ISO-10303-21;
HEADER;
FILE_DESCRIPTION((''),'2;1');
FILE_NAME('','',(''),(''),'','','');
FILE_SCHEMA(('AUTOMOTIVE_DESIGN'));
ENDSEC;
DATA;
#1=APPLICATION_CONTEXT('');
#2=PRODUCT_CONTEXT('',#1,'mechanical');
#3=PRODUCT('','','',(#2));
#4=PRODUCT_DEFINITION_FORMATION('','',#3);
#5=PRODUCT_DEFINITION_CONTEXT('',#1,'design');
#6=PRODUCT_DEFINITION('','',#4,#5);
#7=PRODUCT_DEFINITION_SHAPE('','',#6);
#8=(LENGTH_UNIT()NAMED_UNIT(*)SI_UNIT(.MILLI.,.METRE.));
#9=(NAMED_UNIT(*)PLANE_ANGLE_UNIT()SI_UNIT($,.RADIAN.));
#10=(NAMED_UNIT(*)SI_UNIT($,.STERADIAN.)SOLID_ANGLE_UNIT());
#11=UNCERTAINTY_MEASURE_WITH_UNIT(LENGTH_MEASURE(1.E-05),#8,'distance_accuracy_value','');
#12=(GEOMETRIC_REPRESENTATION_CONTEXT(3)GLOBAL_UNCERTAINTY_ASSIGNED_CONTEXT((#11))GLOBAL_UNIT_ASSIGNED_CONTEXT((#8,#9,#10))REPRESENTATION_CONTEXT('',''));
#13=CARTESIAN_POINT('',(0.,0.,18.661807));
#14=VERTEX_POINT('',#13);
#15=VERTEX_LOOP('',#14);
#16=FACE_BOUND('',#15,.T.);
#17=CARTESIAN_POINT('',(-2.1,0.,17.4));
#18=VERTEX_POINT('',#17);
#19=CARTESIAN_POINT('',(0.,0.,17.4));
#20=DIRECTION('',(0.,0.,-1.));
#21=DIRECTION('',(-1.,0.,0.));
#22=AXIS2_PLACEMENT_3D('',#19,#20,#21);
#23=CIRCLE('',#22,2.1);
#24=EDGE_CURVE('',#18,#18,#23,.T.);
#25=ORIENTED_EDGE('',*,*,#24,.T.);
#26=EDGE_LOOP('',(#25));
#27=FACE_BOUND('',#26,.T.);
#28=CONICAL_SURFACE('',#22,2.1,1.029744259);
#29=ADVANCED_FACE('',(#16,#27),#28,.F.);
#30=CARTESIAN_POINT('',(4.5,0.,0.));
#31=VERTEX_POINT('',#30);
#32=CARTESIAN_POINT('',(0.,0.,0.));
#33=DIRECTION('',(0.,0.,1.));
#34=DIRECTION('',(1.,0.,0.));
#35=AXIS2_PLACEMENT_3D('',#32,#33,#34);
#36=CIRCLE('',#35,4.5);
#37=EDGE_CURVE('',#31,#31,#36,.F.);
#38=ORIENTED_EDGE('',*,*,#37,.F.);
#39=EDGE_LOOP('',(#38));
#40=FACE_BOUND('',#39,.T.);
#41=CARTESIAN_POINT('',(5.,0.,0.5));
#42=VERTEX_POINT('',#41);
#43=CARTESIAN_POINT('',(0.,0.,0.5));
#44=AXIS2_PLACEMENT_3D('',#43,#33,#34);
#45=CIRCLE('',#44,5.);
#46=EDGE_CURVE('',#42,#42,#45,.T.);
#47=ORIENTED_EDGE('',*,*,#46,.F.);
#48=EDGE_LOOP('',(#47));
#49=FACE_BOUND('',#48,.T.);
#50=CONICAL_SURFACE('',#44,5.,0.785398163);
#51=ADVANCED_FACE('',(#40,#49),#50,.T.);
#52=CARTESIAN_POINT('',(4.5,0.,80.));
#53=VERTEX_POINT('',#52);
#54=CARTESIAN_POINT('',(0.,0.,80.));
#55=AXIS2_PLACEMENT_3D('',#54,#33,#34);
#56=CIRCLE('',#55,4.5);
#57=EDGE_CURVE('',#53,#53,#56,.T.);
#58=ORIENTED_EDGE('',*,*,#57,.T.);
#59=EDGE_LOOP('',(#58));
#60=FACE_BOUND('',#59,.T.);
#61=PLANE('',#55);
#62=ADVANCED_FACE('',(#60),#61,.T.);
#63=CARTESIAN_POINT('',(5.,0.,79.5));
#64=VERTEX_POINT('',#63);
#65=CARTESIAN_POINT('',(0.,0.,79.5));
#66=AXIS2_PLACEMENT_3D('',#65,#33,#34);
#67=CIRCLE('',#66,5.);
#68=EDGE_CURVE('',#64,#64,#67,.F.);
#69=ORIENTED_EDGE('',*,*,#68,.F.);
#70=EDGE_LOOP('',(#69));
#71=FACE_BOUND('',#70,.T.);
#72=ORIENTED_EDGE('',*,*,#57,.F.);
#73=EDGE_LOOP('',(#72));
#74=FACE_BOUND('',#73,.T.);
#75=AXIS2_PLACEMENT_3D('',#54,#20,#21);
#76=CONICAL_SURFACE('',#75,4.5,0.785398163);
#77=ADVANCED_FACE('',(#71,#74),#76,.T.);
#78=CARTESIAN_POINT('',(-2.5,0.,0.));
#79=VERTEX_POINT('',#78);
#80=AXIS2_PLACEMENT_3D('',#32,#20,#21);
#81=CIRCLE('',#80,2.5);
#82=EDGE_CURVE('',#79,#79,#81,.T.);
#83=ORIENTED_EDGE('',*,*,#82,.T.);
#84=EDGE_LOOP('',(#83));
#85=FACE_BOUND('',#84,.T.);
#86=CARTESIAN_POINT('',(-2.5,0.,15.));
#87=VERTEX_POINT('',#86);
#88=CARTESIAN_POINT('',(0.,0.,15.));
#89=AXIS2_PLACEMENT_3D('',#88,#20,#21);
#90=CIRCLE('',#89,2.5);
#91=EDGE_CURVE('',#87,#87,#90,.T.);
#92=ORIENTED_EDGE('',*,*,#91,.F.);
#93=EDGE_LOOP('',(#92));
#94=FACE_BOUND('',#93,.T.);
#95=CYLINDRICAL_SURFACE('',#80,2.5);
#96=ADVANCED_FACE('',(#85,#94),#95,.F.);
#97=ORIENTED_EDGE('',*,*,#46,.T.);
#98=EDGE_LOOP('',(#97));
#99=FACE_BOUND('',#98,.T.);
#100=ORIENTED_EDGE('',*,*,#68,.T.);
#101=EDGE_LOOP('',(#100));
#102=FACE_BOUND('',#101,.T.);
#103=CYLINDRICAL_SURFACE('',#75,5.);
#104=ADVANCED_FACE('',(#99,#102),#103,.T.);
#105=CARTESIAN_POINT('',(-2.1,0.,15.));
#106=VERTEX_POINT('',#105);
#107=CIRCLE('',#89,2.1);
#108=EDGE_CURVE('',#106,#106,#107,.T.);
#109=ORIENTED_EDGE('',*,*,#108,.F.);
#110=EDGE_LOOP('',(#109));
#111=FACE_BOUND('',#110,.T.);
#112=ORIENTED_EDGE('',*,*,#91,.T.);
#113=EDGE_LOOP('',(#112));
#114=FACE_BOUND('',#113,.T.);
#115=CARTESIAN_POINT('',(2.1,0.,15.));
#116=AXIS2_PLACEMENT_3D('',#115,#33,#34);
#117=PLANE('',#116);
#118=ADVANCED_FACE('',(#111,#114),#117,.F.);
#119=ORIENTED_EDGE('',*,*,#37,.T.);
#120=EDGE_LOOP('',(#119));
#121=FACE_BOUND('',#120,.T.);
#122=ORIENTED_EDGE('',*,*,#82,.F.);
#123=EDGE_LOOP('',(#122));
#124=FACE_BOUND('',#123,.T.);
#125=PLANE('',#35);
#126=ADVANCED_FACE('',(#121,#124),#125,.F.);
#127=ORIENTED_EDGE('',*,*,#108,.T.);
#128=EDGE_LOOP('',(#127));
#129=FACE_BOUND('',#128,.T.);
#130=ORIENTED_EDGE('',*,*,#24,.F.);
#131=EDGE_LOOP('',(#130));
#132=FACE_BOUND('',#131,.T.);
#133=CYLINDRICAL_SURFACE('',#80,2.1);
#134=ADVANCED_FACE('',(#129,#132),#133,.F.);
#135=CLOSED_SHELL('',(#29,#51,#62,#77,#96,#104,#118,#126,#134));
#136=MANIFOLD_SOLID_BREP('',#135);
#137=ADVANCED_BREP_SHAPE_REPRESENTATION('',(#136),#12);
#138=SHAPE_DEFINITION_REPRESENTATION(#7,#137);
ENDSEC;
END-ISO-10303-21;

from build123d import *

# Parameters (mm, degrees)
SKETCH_1_R                   = 5
EXTRUDE_1_DEPTH              = 80
HOLE_WIZARD_M5_1_D           = 4.2
HOLE_WIZARD_M5_1_DEPTH       = 17.4
HOLE_WIZARD_M5_1_CBORE_D     = 5
HOLE_WIZARD_M5_1_CBORE_DEPTH = 15
HOLE_WIZARD_M5_1_TIP         = 1.2618073
CHAMFER_1_SIZE               = 0.5


with BuildPart() as part:
    # 草图1 → 拉伸1 (new body)
    with BuildSketch(Plane.XY):
        Circle(SKETCH_1_R)
    extrude(amount=EXTRUDE_1_DEPTH)

    # M5 螺纹孔1
    with Locations(Plane(origin=(0, 0, 0), x_dir=(-1, 0, 0), z_dir=(0, 0, -1))):
        with Locations((0, 0)):
            CounterBoreHole(HOLE_WIZARD_M5_1_D / 2, HOLE_WIZARD_M5_1_CBORE_D / 2, HOLE_WIZARD_M5_1_CBORE_DEPTH, depth=HOLE_WIZARD_M5_1_DEPTH)
            with Locations((0, 0, -(HOLE_WIZARD_M5_1_DEPTH + HOLE_WIZARD_M5_1_TIP / 2))):  # 118° drill point
                Cone(0, HOLE_WIZARD_M5_1_D / 2, HOLE_WIZARD_M5_1_TIP, mode=Mode.SUBTRACT)

    # 倒角1
    chamfer_1_edges = [part.edges().sort_by_distance(p)[0] for p in [
        (-5, 0, 0),
        (-5, 0, 80),
    ]]
    chamfer(chamfer_1_edges, length=CHAMFER_1_SIZE)


solid = part.part
